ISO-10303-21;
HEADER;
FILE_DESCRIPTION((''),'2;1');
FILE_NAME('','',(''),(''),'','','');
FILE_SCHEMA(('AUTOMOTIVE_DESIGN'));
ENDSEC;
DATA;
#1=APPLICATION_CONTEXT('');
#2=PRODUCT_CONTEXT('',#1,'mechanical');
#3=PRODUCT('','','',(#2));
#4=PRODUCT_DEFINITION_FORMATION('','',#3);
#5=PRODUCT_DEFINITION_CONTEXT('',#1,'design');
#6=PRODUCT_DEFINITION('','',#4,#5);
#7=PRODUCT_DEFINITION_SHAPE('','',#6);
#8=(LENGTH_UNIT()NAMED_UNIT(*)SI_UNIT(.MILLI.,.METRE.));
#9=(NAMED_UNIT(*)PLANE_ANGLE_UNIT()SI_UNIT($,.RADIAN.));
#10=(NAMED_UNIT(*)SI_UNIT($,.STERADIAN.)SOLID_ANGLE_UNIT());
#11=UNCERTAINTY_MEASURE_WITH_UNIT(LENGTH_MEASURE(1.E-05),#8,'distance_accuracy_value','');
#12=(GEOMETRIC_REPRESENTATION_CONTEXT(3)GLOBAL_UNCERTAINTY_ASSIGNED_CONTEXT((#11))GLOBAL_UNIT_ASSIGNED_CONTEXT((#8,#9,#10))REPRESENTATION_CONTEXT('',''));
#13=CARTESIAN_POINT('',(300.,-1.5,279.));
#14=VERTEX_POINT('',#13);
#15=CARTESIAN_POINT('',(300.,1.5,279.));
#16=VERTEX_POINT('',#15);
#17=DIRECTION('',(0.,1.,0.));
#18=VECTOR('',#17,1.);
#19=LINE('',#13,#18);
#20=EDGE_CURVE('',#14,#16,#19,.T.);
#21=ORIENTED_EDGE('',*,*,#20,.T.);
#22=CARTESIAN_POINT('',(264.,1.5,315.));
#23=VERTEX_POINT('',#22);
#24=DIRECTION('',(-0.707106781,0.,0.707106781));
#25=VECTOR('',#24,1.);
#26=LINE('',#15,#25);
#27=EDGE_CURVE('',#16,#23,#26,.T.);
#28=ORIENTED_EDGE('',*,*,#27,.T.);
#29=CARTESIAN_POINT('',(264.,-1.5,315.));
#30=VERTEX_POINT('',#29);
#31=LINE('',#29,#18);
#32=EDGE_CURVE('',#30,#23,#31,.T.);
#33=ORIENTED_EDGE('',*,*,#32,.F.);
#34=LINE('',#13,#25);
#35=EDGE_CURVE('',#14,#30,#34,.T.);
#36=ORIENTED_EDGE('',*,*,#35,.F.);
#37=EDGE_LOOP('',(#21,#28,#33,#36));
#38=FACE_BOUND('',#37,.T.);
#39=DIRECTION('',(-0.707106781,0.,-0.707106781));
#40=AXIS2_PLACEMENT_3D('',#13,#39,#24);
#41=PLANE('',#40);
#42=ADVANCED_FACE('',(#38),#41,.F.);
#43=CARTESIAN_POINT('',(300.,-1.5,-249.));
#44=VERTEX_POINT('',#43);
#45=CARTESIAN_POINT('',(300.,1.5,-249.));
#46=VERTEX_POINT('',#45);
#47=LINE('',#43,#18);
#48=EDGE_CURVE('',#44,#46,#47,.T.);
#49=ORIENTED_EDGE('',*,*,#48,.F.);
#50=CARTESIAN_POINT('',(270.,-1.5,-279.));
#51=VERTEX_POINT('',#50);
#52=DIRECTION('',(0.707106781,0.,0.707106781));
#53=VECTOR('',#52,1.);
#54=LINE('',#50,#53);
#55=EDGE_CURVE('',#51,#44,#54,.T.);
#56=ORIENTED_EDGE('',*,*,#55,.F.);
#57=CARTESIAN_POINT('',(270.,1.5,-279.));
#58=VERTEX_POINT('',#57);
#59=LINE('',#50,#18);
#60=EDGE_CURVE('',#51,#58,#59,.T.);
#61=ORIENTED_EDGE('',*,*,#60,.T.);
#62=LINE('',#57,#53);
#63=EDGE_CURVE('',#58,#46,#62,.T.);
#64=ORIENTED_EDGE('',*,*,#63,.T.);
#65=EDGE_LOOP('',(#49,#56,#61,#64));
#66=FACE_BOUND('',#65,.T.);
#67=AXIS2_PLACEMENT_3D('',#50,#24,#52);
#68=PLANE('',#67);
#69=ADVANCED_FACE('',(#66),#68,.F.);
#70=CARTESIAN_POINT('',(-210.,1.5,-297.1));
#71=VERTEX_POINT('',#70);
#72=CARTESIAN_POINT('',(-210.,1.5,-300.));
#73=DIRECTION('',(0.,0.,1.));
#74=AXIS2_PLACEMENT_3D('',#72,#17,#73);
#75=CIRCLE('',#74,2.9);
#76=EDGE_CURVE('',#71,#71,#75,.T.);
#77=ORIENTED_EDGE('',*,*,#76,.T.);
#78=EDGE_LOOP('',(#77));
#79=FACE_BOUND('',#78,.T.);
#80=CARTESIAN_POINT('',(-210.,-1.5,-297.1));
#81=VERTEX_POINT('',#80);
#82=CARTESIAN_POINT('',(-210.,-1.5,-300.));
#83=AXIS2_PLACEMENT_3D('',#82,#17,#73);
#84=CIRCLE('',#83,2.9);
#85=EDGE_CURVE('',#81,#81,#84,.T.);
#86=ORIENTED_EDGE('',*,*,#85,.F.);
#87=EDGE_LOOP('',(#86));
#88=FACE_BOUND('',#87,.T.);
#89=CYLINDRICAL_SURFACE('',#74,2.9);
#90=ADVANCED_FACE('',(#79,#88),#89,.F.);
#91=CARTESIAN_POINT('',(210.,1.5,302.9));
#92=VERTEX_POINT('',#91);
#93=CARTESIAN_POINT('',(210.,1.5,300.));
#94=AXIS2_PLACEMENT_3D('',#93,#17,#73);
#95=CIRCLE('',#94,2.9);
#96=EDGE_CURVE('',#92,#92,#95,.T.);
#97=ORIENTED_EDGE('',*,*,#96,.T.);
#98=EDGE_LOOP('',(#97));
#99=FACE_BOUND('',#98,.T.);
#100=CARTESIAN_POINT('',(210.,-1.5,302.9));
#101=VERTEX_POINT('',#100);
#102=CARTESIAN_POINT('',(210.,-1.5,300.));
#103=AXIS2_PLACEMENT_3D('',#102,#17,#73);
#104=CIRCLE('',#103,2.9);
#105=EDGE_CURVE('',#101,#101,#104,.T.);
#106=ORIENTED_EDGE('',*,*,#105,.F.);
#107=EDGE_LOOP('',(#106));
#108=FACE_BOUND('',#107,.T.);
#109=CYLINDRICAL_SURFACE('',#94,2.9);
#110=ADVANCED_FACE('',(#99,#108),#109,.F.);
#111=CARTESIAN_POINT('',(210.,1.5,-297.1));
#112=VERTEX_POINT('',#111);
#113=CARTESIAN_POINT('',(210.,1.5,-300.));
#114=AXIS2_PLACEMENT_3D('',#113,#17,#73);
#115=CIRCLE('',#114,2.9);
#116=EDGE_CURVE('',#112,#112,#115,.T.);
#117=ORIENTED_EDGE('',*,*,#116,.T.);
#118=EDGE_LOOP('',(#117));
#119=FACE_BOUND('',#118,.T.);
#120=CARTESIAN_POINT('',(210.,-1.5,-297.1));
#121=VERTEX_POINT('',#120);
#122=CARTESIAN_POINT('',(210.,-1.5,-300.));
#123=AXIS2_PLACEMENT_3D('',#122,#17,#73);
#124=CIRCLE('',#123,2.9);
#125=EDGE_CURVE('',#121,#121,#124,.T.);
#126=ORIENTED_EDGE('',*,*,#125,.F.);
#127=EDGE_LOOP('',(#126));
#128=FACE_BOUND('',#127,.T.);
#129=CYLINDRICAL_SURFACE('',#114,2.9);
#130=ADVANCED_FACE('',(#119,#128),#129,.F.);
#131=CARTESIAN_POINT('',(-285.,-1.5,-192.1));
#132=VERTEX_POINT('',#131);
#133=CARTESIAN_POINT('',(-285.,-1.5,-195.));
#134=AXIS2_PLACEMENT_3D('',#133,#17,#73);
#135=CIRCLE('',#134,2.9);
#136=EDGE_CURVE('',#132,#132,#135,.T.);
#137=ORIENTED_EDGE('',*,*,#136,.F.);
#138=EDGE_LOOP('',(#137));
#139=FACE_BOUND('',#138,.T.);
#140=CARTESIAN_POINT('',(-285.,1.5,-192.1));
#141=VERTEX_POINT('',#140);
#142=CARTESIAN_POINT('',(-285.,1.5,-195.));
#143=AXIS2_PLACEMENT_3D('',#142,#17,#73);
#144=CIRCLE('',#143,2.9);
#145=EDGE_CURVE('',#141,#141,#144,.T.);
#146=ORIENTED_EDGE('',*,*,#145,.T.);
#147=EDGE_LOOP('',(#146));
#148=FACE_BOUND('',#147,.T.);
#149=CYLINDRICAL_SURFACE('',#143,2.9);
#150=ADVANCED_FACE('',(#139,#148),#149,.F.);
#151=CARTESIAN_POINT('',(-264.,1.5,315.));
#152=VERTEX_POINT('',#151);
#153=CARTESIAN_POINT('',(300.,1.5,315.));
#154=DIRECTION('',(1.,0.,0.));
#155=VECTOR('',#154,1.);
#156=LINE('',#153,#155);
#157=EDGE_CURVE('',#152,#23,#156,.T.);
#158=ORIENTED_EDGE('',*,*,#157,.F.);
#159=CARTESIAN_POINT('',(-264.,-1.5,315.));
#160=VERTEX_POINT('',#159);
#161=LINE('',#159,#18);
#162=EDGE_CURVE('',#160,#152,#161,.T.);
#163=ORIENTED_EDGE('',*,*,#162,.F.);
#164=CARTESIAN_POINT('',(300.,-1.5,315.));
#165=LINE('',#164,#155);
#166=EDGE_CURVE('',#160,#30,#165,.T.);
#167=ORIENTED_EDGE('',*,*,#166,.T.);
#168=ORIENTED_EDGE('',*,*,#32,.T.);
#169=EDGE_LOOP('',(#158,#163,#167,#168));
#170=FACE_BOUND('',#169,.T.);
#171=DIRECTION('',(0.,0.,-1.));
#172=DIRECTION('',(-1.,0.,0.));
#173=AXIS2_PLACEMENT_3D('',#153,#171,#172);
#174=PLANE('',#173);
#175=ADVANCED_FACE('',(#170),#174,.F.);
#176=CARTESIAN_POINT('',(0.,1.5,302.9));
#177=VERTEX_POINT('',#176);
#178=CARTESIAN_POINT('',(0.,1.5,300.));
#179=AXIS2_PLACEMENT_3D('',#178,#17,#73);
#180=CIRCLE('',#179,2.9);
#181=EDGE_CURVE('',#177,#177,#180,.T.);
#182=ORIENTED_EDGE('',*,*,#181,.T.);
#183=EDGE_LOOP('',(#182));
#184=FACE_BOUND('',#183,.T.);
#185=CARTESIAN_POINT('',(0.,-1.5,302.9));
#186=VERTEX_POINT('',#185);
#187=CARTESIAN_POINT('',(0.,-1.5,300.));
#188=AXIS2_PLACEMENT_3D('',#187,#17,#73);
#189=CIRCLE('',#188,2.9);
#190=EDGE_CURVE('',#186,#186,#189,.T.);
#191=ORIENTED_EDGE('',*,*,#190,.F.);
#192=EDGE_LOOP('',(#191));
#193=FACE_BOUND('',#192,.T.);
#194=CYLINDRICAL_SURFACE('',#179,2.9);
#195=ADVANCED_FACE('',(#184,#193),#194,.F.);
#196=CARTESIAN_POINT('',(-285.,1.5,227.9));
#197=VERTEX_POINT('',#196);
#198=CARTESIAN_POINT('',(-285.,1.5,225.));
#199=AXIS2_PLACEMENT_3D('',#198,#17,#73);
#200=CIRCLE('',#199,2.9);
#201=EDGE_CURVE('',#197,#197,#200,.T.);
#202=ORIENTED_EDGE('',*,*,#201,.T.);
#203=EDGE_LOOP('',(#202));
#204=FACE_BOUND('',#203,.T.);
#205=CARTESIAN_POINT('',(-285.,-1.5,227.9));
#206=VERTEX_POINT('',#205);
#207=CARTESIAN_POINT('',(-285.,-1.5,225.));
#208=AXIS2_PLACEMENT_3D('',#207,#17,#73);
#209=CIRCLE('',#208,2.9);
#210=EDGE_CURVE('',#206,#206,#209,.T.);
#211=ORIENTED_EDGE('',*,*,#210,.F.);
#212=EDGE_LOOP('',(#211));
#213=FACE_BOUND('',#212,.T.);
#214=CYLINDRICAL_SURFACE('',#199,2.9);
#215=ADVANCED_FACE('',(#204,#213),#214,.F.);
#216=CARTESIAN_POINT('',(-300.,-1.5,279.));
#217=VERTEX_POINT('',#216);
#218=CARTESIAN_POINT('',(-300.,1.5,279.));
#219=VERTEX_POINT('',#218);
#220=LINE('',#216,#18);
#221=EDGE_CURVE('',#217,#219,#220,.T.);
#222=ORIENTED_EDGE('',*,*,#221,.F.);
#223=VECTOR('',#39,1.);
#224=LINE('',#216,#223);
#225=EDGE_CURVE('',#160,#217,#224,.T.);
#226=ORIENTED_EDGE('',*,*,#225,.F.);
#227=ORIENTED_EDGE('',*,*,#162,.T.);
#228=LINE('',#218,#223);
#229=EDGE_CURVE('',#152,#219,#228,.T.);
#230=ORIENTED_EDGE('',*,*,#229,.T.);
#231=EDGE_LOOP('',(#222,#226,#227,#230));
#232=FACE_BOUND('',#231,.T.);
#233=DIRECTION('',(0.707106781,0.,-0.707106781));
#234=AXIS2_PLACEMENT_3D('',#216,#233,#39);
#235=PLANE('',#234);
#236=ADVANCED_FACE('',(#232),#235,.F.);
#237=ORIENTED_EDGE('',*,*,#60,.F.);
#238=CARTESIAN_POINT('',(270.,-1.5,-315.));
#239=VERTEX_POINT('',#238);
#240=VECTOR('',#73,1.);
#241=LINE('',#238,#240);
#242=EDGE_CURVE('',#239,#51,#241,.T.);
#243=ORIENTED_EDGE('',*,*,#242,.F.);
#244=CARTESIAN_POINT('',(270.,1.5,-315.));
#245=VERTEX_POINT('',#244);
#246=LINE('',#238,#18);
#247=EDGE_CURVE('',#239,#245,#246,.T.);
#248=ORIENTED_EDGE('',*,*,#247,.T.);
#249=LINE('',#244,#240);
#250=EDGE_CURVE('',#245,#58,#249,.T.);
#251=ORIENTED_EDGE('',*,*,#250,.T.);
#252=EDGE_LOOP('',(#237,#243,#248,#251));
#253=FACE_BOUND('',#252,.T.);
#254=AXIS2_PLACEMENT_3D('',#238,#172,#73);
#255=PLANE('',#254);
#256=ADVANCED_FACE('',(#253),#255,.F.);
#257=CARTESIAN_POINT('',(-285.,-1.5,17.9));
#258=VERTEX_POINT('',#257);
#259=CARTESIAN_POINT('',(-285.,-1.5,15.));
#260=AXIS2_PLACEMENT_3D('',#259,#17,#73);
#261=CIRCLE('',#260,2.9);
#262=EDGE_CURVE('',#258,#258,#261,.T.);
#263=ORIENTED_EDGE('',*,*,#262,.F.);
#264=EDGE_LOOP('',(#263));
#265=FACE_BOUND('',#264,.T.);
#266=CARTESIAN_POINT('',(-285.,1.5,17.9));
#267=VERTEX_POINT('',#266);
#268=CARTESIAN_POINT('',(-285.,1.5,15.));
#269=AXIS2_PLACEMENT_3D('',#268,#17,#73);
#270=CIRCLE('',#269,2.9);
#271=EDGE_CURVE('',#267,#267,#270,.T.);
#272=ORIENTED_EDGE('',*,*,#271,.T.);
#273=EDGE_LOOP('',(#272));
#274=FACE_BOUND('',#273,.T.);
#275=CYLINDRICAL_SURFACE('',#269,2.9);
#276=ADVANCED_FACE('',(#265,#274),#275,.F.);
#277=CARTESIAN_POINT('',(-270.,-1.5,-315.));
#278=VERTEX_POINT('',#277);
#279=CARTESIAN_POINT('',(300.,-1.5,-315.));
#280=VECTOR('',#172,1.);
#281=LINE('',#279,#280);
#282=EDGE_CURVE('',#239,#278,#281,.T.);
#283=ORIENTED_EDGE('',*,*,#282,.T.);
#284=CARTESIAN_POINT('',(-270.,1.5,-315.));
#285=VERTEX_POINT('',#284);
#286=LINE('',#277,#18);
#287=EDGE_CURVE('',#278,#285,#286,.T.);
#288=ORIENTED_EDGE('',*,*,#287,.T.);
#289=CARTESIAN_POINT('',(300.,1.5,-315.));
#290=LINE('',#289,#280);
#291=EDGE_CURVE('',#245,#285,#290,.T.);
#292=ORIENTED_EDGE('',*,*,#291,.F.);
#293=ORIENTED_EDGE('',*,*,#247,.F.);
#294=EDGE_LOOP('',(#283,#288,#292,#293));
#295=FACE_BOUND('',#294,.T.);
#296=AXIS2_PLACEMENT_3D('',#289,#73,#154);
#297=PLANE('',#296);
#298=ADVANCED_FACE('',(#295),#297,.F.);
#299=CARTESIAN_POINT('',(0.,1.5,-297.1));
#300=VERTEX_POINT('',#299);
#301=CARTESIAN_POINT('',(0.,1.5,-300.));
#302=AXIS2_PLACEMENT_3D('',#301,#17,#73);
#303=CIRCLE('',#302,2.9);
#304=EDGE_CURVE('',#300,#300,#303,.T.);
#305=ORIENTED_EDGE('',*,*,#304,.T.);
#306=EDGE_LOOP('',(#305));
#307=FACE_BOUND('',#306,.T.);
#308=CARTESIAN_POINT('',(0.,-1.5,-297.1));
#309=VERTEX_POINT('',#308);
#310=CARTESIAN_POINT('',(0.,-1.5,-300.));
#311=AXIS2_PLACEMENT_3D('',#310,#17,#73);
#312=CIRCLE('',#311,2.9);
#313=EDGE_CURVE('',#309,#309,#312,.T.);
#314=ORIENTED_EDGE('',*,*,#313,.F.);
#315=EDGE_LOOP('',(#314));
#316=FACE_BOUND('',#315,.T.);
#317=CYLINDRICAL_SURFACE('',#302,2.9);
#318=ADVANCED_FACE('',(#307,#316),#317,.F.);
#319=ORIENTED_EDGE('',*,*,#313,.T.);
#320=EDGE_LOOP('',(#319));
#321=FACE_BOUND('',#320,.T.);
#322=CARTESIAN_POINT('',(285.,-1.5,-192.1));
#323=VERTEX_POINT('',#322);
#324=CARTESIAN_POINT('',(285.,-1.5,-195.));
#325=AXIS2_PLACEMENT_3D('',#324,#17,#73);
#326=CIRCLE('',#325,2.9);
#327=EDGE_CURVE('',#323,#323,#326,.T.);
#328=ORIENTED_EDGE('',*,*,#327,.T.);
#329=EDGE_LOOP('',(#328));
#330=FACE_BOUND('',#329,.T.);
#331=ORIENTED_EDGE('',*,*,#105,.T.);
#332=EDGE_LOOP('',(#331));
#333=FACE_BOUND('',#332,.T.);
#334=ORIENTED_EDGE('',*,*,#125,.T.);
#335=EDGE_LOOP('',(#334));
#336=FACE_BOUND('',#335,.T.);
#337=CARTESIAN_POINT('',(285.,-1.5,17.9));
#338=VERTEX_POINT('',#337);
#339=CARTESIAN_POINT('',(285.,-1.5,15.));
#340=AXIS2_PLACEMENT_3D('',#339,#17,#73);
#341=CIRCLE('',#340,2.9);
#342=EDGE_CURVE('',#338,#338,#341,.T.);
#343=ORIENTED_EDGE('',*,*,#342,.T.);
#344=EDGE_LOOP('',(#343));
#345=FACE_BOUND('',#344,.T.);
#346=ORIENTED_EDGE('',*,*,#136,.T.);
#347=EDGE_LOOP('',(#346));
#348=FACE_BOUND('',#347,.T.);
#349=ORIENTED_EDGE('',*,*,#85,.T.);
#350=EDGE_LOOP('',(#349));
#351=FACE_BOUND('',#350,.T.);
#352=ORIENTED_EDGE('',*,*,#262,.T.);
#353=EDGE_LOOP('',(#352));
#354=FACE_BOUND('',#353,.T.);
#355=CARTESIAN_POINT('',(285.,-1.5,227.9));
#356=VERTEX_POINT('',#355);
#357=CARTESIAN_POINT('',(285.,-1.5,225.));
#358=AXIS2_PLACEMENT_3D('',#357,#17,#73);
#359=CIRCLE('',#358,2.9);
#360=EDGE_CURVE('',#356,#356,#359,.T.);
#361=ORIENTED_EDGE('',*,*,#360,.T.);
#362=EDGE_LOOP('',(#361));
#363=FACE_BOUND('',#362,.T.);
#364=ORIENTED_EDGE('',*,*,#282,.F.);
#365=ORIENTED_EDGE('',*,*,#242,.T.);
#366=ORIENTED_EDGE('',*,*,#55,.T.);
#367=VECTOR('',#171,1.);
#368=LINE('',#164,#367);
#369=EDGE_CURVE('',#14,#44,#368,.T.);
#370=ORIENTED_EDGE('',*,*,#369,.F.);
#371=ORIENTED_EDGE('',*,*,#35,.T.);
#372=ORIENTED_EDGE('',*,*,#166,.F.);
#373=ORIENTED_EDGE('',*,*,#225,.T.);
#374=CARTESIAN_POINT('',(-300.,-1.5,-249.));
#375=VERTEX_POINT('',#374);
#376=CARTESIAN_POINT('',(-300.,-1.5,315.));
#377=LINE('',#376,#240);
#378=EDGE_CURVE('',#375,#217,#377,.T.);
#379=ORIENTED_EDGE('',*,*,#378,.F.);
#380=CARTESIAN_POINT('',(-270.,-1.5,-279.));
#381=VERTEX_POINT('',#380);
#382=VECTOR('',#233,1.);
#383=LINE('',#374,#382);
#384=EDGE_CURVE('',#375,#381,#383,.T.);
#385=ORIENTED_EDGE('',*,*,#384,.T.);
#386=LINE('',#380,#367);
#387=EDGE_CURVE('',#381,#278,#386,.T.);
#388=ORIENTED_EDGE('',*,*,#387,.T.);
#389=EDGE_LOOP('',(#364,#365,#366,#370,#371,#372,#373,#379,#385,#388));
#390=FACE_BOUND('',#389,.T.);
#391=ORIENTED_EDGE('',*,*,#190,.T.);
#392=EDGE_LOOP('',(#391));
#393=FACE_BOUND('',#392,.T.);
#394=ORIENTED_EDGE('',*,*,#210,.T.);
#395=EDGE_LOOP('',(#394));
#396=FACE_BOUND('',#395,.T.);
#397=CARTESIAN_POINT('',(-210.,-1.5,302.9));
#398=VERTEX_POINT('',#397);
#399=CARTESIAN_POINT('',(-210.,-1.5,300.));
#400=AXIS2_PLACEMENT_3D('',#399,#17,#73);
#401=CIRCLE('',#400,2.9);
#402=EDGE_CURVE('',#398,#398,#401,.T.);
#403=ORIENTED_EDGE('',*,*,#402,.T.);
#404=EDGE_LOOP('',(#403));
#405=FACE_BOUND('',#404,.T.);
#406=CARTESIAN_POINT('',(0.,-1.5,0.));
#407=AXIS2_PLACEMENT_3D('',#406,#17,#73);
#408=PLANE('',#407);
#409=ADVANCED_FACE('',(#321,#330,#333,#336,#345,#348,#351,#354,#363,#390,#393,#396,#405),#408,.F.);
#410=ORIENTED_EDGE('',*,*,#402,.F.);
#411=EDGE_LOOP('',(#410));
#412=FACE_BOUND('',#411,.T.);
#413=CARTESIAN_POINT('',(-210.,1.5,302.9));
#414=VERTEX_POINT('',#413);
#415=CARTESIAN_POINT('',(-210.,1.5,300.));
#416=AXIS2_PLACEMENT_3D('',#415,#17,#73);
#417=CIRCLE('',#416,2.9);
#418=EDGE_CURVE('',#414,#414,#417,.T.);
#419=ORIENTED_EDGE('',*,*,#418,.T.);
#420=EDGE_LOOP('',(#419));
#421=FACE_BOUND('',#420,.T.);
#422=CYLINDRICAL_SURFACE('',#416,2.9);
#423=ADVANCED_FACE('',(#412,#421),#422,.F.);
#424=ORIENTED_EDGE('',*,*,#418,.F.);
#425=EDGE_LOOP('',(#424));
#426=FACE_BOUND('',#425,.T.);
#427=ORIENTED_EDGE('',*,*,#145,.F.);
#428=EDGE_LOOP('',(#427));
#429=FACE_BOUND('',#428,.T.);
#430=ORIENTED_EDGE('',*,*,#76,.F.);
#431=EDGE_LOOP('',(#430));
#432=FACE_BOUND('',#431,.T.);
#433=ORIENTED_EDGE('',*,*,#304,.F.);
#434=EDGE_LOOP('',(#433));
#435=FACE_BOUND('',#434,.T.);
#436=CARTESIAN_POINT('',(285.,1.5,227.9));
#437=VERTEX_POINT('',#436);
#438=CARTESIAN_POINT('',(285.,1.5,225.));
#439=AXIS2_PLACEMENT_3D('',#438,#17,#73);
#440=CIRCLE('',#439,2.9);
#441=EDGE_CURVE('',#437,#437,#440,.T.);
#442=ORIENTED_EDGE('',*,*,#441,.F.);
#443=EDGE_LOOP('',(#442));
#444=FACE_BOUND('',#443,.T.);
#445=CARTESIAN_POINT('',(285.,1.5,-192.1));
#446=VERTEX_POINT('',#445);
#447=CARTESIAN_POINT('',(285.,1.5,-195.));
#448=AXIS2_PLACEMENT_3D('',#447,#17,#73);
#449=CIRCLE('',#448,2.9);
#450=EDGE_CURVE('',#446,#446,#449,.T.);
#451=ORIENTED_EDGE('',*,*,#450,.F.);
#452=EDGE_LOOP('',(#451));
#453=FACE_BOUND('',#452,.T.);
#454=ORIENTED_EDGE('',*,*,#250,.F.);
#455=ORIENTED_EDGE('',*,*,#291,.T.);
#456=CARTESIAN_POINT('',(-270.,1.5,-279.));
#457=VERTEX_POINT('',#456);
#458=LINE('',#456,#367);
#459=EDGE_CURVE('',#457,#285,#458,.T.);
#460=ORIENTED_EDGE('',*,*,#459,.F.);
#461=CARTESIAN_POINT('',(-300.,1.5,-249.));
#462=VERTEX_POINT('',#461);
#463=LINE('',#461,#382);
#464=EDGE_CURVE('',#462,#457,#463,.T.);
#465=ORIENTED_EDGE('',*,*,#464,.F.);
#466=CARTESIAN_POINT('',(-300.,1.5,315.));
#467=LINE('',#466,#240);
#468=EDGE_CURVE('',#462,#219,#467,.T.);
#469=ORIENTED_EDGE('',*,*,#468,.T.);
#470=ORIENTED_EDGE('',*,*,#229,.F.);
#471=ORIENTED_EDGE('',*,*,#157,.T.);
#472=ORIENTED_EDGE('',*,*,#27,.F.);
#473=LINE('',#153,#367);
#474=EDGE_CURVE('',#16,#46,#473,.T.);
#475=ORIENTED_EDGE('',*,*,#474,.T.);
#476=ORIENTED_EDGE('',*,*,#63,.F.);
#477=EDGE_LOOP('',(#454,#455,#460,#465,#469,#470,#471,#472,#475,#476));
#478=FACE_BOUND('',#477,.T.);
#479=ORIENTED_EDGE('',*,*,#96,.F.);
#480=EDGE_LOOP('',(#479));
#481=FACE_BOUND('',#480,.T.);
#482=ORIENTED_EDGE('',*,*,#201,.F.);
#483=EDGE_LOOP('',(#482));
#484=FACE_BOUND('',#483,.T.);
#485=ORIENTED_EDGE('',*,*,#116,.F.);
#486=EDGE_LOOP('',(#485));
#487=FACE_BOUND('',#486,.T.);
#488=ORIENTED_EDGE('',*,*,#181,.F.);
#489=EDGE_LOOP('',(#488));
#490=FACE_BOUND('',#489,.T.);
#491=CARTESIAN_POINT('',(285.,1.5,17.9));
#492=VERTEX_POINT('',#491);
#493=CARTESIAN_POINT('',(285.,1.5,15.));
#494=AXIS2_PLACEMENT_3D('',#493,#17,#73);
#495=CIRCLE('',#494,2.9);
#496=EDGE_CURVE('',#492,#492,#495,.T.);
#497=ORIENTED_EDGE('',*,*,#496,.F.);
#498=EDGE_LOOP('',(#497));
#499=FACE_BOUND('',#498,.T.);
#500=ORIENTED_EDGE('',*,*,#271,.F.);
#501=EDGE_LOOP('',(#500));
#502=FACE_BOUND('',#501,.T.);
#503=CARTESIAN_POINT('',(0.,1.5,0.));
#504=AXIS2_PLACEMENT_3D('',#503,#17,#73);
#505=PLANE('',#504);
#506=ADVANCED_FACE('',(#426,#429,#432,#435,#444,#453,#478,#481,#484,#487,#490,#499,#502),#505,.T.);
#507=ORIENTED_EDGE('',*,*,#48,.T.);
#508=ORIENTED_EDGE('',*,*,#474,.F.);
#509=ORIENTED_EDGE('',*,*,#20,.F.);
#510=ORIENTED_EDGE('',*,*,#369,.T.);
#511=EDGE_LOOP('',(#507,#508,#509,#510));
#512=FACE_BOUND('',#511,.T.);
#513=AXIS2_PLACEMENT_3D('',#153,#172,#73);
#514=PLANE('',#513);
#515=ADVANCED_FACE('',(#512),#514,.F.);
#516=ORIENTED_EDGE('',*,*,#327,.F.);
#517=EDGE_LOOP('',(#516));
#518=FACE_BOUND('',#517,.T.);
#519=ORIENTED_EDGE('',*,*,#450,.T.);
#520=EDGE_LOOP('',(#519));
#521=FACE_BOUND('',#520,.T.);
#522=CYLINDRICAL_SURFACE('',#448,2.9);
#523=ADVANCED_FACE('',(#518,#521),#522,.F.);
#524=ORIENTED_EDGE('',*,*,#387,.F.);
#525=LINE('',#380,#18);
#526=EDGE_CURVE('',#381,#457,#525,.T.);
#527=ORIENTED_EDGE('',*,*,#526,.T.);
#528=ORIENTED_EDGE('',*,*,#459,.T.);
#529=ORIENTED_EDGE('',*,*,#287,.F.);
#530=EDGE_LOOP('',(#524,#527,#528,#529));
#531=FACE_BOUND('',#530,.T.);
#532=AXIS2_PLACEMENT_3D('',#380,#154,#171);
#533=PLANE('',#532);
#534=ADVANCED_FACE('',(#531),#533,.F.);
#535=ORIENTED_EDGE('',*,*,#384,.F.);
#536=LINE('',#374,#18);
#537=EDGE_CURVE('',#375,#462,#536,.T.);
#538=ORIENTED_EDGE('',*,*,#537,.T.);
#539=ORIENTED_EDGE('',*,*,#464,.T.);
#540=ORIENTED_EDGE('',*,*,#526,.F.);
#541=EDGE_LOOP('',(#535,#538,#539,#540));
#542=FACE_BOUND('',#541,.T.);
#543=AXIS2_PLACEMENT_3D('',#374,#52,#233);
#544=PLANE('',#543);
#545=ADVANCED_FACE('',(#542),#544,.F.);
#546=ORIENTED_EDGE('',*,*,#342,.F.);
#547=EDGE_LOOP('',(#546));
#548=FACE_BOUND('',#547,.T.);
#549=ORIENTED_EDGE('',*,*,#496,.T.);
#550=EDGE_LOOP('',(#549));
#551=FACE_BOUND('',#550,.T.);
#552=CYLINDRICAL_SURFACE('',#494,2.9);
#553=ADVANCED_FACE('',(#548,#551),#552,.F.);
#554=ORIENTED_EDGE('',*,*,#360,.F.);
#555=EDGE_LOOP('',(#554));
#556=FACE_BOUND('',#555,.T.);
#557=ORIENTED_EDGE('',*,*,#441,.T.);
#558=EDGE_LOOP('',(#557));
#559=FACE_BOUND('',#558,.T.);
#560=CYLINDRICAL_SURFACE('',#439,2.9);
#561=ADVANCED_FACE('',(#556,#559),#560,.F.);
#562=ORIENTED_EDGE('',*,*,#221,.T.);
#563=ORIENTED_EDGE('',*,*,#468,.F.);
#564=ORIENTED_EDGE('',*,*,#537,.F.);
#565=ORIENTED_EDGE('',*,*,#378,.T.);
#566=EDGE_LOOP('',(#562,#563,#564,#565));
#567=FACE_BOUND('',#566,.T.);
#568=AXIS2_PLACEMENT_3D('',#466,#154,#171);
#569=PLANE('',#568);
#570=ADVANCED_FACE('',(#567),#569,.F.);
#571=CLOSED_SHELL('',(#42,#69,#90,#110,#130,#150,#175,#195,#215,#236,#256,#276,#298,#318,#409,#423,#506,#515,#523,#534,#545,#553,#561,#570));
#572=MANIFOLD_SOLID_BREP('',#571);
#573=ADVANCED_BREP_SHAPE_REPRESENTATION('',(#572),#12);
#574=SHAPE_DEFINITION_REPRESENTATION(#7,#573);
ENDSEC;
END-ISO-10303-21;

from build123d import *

# Parameters (mm, degrees)
SKETCH1_W            = 600
SKETCH1_H            = 630
BOSS_EXTRUDE1_DEPTH  = 1.5
CUT_EXTRUDE1_DEPTH   = 436.010344705
M5_CLEARANCE_HOLE2_D = 5.8


with BuildPart() as part:
    # Sketch1 → Boss-Extrude1 (new, symmetric)
    with BuildSketch(Plane(origin=(0, 0, 0), x_dir=(1, 0, 0), z_dir=(0, 1, 0))):
        Rectangle(SKETCH1_W, SKETCH1_H)
    extrude(amount=BOSS_EXTRUDE1_DEPTH, both=True)

    # Sketch2 → Cut-Extrude1 (cut, through all)
    with BuildSketch(Plane(origin=(0, 1.5, 0), x_dir=(1, 0, 0), z_dir=(0, 1, 0))):
        Polygon((270, 315), (270, 279), (300, 249), (300, 315), align=None)
        Polygon((-270, 315), (-300, 315), (-300, 249), (-270, 279), align=None)
        Polygon((-300, -315), (-300, -279), (-264, -315), align=None)
        Polygon((264, -315), (300, -315), (300, -279), align=None)
    extrude(amount=-CUT_EXTRUDE1_DEPTH, mode=Mode.SUBTRACT)

    # M5 Clearance Hole2 (through all)
    with Locations(Plane(origin=(0, 1.5, 0), x_dir=(1, 0, 0), z_dir=(0, 1, 0))):
        with Locations((-210, 300), (0, 300), (210, 300), (285, 195), (285, -15), (285, -225), (210, -300), (0, -300), (-210, -300), (-285, -225), (-285, -15), (-285, 195)):
            Hole(M5_CLEARANCE_HOLE2_D / 2)


solid = part.part
